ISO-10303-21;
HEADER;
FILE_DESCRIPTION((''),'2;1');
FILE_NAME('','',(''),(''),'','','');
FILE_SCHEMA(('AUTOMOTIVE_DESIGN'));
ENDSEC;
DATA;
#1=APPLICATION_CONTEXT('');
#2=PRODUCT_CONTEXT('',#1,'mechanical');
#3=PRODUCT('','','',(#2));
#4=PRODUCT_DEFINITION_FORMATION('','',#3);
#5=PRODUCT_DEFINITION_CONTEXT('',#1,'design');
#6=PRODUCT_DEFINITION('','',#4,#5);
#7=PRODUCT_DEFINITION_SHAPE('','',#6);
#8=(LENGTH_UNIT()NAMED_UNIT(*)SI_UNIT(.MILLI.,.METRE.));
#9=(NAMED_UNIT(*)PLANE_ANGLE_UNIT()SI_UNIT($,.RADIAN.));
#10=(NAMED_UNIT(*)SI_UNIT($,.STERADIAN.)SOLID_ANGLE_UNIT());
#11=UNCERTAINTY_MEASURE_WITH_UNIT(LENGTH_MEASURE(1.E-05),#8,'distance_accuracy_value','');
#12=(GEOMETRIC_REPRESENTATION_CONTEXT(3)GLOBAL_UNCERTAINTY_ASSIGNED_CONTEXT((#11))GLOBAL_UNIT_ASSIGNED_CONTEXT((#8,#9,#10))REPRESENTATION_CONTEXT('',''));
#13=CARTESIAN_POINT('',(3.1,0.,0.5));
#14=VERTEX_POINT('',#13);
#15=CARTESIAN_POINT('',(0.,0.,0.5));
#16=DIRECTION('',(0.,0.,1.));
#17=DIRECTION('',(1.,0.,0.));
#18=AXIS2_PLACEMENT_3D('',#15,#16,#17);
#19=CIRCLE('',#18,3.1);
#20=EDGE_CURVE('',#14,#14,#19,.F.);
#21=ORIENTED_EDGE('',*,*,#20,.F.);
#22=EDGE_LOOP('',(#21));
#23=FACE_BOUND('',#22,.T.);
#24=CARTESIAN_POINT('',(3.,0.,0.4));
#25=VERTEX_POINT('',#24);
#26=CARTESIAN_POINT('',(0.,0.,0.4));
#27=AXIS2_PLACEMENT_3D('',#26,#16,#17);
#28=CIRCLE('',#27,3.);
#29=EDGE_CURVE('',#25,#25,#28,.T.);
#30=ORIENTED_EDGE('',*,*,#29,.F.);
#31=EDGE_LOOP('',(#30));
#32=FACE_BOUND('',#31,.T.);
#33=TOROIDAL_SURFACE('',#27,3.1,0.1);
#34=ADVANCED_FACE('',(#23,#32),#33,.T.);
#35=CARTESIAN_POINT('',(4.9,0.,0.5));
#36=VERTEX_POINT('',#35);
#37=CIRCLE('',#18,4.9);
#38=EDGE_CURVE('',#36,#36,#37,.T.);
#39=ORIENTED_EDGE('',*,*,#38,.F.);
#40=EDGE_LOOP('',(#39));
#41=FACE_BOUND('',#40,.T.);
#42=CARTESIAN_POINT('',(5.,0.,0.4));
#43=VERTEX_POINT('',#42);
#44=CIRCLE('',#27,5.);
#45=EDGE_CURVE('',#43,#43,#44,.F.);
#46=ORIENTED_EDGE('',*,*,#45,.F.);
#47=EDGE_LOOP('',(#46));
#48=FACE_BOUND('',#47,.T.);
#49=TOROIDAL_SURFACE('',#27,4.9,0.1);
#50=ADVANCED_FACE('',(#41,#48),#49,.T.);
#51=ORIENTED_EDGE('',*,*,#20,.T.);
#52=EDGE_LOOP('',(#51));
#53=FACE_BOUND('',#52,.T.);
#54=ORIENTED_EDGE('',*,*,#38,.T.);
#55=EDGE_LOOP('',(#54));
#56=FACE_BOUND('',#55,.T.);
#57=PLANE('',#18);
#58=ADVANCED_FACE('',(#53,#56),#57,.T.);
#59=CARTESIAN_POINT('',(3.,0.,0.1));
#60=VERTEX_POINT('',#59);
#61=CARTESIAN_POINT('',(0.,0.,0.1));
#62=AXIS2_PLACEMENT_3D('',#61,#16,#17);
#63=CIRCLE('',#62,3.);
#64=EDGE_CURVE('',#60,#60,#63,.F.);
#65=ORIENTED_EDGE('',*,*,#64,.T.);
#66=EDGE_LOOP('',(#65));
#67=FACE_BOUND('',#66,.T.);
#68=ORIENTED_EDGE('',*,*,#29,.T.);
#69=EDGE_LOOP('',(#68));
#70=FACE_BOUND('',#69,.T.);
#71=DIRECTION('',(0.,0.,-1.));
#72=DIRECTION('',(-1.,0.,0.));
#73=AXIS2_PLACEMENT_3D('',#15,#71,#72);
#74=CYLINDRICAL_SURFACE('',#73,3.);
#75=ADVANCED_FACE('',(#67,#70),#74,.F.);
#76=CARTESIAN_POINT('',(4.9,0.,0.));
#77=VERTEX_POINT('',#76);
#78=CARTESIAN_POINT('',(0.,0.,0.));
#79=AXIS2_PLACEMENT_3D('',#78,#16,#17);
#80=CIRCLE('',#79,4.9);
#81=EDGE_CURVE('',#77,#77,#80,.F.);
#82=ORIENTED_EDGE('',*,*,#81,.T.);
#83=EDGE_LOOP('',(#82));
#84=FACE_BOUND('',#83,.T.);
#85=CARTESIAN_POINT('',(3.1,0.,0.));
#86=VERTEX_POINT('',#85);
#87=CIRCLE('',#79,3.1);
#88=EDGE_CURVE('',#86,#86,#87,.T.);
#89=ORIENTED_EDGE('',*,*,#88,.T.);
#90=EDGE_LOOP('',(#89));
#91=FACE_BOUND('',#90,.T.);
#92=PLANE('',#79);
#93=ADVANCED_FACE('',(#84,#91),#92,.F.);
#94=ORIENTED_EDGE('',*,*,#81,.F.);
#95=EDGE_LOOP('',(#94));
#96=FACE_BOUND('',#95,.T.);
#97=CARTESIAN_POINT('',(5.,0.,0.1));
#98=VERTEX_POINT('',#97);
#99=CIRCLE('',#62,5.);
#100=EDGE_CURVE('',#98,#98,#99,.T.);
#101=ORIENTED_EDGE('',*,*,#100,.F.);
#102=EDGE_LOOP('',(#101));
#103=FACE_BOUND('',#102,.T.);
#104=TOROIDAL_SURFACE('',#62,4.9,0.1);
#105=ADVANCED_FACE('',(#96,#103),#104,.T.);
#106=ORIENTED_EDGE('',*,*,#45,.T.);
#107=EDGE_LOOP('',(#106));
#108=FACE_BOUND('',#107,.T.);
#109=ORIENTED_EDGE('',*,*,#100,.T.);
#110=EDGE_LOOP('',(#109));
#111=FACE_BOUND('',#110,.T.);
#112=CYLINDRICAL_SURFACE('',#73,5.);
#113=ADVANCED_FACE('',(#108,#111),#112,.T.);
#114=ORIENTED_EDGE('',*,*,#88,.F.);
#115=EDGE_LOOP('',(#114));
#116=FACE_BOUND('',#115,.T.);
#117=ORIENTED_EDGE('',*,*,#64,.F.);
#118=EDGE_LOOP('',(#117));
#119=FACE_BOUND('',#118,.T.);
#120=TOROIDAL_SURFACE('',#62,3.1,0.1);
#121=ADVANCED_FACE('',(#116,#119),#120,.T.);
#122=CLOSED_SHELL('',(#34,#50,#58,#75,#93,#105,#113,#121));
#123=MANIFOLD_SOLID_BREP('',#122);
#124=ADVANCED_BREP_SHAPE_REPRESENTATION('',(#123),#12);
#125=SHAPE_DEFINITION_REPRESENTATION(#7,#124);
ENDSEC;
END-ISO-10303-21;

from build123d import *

# Parameters (mm, degrees)
SCHIZZO1_R                   = 5
SCHIZZO1_R_2                 = 3
ESTRUSIONE_ESTRUSIONE1_DEPTH = 0.5
RACCORDO1_R                  = 0.1


with BuildPart() as part:
    # Schizzo1 → Estrusione-Estrusione1 (new body)
    with BuildSketch(Plane.XY):
        Circle(SCHIZZO1_R)
        Circle(SCHIZZO1_R_2, mode=Mode.SUBTRACT)
    extrude(amount=ESTRUSIONE_ESTRUSIONE1_DEPTH)

    # Raccordo1
    raccordo1_edges = [part.edges().sort_by_distance(p)[0] for p in [
        (-5, 0, 0),
        (-5, 0, 0.5),
        (-3, 0, 0),
        (-3, 0, 0.5),
    ]]
    fillet(raccordo1_edges, radius=RACCORDO1_R)


solid = part.part
